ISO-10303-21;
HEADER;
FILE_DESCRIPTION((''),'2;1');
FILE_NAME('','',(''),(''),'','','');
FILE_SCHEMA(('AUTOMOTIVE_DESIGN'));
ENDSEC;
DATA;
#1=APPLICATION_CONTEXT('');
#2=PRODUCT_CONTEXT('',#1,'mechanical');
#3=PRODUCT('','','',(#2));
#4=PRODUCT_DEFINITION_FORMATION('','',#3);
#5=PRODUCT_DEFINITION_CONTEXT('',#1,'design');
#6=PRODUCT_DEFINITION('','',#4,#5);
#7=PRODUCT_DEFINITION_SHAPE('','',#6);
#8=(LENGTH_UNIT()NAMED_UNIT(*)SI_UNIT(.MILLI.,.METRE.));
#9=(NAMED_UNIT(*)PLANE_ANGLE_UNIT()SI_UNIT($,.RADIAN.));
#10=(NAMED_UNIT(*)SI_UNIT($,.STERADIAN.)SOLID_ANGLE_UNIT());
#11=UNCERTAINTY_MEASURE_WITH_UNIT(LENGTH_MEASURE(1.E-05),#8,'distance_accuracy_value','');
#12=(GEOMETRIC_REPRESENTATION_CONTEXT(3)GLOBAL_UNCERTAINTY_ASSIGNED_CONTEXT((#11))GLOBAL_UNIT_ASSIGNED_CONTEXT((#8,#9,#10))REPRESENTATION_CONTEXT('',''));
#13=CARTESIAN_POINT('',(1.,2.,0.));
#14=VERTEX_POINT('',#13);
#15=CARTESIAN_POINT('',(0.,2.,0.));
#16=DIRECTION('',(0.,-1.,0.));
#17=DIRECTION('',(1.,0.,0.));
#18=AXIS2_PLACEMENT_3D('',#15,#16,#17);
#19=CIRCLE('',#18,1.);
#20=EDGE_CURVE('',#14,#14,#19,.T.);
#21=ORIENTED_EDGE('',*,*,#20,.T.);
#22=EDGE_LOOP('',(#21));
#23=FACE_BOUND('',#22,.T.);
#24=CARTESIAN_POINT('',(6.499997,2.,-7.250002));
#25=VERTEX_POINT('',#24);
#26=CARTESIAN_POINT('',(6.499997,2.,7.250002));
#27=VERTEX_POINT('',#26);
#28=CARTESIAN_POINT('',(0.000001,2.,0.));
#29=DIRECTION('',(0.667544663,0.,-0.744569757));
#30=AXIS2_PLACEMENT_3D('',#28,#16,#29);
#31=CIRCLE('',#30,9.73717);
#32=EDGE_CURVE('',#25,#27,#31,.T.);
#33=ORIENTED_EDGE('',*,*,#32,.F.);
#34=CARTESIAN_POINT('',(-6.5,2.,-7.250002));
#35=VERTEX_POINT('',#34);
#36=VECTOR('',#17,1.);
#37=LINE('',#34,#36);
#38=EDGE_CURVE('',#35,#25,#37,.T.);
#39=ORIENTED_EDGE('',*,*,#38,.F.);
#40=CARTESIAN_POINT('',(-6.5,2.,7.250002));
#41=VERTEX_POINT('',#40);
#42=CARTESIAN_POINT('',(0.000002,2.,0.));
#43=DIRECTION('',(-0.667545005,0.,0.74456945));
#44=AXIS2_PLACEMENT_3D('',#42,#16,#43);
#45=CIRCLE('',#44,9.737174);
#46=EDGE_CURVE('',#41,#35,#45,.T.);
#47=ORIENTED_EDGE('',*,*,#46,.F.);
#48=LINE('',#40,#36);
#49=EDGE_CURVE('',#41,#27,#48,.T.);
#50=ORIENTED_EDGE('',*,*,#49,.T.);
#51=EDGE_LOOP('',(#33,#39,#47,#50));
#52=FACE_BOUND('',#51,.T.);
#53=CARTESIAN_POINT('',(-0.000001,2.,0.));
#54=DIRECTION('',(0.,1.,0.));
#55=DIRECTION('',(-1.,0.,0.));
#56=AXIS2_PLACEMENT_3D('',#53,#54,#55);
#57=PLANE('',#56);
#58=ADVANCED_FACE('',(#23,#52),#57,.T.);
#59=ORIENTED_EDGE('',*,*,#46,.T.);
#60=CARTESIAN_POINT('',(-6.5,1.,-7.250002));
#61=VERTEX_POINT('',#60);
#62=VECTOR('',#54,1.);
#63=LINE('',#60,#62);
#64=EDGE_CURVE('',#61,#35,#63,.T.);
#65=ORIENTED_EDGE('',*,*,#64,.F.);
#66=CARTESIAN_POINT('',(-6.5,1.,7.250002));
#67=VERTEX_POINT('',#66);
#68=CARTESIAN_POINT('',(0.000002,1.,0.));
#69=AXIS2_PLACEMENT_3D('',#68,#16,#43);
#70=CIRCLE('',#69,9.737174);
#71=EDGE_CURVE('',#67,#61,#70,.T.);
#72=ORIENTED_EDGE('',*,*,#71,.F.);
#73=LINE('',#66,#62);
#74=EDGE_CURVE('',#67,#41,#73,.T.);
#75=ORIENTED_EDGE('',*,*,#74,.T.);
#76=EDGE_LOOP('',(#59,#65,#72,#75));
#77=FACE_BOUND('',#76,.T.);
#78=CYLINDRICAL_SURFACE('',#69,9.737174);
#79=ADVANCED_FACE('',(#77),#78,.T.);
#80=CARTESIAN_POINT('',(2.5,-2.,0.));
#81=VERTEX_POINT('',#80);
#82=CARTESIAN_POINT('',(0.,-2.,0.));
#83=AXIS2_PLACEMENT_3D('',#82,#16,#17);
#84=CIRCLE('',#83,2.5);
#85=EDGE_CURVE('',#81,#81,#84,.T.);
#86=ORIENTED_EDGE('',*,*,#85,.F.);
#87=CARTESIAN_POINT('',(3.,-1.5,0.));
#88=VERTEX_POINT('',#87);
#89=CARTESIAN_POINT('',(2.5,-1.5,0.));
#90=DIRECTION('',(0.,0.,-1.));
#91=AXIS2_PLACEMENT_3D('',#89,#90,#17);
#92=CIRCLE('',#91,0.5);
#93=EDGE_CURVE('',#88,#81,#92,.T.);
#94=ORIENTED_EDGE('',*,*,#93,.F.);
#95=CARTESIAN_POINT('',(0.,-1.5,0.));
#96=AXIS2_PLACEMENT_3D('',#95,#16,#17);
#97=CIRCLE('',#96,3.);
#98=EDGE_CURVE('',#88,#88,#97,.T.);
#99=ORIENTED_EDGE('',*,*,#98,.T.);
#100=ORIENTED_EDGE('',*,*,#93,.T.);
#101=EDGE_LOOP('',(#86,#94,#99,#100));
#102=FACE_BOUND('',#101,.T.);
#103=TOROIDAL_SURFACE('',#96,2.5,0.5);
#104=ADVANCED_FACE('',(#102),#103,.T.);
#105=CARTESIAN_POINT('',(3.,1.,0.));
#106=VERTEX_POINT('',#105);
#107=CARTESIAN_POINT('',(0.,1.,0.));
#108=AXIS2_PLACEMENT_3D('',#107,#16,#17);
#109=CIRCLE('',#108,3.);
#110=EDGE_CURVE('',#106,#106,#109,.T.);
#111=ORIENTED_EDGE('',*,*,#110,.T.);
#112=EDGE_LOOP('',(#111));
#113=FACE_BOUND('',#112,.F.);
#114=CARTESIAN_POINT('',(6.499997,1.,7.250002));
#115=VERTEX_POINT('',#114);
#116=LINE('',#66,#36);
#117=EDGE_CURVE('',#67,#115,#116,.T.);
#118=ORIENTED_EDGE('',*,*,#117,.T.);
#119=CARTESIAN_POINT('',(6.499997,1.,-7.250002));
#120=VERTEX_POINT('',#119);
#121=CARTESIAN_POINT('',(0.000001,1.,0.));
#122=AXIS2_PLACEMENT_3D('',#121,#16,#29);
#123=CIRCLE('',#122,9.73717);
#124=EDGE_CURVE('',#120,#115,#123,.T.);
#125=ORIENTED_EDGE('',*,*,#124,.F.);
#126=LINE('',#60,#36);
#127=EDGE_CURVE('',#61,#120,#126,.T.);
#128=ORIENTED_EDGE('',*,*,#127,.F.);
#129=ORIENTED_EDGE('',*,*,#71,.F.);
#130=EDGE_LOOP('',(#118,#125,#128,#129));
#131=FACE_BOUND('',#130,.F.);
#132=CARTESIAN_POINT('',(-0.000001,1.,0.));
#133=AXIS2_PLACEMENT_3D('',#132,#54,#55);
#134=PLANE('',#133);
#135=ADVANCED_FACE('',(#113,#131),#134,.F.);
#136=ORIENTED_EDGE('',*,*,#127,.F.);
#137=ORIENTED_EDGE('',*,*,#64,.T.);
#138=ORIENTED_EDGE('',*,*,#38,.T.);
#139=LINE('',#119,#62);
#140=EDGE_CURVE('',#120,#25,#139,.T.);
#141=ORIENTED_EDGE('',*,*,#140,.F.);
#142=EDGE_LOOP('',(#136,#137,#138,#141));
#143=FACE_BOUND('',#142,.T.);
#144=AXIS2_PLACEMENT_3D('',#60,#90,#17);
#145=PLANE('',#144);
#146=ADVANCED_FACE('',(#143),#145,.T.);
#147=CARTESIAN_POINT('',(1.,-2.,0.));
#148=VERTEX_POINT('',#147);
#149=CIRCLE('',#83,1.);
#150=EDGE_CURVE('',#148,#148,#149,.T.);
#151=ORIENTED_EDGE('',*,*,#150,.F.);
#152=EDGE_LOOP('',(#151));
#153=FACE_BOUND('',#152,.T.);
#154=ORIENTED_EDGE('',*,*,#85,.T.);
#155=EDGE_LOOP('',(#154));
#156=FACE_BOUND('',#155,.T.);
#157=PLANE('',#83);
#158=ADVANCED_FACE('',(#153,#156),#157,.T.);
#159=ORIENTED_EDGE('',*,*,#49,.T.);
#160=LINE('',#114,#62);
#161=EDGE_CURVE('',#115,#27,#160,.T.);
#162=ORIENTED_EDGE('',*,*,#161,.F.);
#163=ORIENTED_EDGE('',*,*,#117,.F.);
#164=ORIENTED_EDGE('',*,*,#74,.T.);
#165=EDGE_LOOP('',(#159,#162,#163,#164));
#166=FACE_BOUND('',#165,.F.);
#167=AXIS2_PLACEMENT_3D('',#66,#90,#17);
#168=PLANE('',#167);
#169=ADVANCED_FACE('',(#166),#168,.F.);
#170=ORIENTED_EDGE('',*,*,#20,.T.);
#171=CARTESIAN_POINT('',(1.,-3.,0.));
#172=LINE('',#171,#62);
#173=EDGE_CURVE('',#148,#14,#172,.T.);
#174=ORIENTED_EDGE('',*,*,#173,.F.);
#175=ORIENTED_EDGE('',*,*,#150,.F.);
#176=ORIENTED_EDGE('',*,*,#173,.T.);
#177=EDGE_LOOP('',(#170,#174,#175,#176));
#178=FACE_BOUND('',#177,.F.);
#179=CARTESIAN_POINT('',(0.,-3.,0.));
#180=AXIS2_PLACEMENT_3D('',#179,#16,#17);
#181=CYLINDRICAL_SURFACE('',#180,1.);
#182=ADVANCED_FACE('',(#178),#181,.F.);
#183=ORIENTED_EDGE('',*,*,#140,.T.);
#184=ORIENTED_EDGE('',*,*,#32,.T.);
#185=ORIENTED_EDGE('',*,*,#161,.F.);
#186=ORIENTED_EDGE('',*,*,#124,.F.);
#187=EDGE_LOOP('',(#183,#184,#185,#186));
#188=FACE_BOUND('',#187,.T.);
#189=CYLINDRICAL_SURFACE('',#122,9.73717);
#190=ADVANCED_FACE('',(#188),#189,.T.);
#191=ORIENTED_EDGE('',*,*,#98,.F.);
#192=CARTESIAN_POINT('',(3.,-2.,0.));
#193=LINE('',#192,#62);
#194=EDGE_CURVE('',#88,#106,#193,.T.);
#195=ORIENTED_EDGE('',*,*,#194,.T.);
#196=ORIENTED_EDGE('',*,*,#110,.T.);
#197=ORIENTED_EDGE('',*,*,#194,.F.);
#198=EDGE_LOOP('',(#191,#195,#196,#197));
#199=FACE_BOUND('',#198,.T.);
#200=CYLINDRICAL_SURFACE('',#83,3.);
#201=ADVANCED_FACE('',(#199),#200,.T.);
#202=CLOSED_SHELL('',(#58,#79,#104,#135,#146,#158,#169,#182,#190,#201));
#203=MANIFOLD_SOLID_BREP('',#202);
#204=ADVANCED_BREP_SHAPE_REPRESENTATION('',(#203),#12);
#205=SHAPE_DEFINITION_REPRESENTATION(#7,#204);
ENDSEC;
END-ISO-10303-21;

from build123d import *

# Parameters (mm, degrees)
SKETCH255_AS_DRAWN_R                 = 1
EXTRUDE056_DEPTH                     = 5
EXTRUDE056_ONTO_SKETCH255_ROLL_ANGLE = 90
SKETCH254_AS_DRAWN_R                 = 3
EXTRUDE057_DEPTH                     = 3
EXTRUDE057_ONTO_SKETCH254_ROLL_ANGLE = 90
FILLET003_R                          = 0.5
EXTRUDE048_DEPTH                     = 1
EXTRUDE048_ONTO_SKETCH245_ROLL_ANGLE = 90


with BuildPart() as extrude056:
    # Sketch255 as drawn → Extrude056 (new)
    with BuildSketch(Plane.XY):
        Circle(SKETCH255_AS_DRAWN_R)
    extrude(amount=-EXTRUDE056_DEPTH)


with BuildPart() as extrude056_1:
    # Extrude056 onto Sketch255 roll: moved
    add(extrude056.part.rotate(Axis((0, 0, 0), (1, 0, 0)), EXTRUDE056_ONTO_SKETCH255_ROLL_ANGLE))


with BuildPart() as extrude056_2:
    # Extrude056 onto Sketch255 placement: moved
    add(extrude056_1.part.moved(Location((0, -3, 0))))


with BuildPart() as fillet003:
    # Sketch254 as drawn → Extrude057 (new)
    with BuildSketch(Plane.XY):
        Circle(SKETCH254_AS_DRAWN_R)
    extrude(amount=-EXTRUDE057_DEPTH)


with BuildPart() as fillet003_1:
    # Extrude057 onto Sketch254 roll: moved
    add(fillet003.part.rotate(Axis((0, 0, 0), (1, 0, 0)), EXTRUDE057_ONTO_SKETCH254_ROLL_ANGLE))


with BuildPart() as fillet003_2:
    # Extrude057 onto Sketch254 placement: moved
    add(fillet003_1.part.moved(Location((0, -2.5, 0))))


with BuildPart() as fillet003_3:
    # Extrude057 placement: moved
    add(fillet003_2.part.moved(Location((0, 0.5, 0))))

    # Fillet003
    fillet003_edges = [fillet003_3.edges().sort_by_distance(p)[0] for p in [
        (-3, -2, 0),
    ]]
    fillet(fillet003_edges, radius=FILLET003_R)


with BuildPart() as cut034:
    # Sketch245 as drawn → Extrude048 (new)
    with BuildSketch(Plane.XY):
        with BuildLine():
            Line((-6.5, 7.250002), (6.499997, 7.250002))
            ThreePointArc((6.499997, -7.250002), (9.737171, 0), (6.499997, 7.250002))
            Line((-6.5, -7.250002), (6.499997, -7.250002))
            ThreePointArc((-6.5, 7.250002), (-9.737172, 0), (-6.5, -7.250002))
        make_face()
    extrude(amount=-EXTRUDE048_DEPTH)


with BuildPart() as cut034_1:
    # Extrude048 onto Sketch245 roll: moved
    add(cut034.part.rotate(Axis((0, 0, 0), (1, 0, 0)), EXTRUDE048_ONTO_SKETCH245_ROLL_ANGLE))


with BuildPart() as cut034_2:
    # Extrude048 onto Sketch245 placement: moved
    add(cut034_1.part)


with BuildPart() as cut034_3:
    # Extrude048 placement: moved
    add(cut034_2.part.moved(Location((0, 1, 0))))

    # Fusion018: union Fillet003
    add(fillet003_3.part)

    # Cut034: cut Extrude056
    add(extrude056_2.part, mode=Mode.SUBTRACT)


solid = cut034_3.part
